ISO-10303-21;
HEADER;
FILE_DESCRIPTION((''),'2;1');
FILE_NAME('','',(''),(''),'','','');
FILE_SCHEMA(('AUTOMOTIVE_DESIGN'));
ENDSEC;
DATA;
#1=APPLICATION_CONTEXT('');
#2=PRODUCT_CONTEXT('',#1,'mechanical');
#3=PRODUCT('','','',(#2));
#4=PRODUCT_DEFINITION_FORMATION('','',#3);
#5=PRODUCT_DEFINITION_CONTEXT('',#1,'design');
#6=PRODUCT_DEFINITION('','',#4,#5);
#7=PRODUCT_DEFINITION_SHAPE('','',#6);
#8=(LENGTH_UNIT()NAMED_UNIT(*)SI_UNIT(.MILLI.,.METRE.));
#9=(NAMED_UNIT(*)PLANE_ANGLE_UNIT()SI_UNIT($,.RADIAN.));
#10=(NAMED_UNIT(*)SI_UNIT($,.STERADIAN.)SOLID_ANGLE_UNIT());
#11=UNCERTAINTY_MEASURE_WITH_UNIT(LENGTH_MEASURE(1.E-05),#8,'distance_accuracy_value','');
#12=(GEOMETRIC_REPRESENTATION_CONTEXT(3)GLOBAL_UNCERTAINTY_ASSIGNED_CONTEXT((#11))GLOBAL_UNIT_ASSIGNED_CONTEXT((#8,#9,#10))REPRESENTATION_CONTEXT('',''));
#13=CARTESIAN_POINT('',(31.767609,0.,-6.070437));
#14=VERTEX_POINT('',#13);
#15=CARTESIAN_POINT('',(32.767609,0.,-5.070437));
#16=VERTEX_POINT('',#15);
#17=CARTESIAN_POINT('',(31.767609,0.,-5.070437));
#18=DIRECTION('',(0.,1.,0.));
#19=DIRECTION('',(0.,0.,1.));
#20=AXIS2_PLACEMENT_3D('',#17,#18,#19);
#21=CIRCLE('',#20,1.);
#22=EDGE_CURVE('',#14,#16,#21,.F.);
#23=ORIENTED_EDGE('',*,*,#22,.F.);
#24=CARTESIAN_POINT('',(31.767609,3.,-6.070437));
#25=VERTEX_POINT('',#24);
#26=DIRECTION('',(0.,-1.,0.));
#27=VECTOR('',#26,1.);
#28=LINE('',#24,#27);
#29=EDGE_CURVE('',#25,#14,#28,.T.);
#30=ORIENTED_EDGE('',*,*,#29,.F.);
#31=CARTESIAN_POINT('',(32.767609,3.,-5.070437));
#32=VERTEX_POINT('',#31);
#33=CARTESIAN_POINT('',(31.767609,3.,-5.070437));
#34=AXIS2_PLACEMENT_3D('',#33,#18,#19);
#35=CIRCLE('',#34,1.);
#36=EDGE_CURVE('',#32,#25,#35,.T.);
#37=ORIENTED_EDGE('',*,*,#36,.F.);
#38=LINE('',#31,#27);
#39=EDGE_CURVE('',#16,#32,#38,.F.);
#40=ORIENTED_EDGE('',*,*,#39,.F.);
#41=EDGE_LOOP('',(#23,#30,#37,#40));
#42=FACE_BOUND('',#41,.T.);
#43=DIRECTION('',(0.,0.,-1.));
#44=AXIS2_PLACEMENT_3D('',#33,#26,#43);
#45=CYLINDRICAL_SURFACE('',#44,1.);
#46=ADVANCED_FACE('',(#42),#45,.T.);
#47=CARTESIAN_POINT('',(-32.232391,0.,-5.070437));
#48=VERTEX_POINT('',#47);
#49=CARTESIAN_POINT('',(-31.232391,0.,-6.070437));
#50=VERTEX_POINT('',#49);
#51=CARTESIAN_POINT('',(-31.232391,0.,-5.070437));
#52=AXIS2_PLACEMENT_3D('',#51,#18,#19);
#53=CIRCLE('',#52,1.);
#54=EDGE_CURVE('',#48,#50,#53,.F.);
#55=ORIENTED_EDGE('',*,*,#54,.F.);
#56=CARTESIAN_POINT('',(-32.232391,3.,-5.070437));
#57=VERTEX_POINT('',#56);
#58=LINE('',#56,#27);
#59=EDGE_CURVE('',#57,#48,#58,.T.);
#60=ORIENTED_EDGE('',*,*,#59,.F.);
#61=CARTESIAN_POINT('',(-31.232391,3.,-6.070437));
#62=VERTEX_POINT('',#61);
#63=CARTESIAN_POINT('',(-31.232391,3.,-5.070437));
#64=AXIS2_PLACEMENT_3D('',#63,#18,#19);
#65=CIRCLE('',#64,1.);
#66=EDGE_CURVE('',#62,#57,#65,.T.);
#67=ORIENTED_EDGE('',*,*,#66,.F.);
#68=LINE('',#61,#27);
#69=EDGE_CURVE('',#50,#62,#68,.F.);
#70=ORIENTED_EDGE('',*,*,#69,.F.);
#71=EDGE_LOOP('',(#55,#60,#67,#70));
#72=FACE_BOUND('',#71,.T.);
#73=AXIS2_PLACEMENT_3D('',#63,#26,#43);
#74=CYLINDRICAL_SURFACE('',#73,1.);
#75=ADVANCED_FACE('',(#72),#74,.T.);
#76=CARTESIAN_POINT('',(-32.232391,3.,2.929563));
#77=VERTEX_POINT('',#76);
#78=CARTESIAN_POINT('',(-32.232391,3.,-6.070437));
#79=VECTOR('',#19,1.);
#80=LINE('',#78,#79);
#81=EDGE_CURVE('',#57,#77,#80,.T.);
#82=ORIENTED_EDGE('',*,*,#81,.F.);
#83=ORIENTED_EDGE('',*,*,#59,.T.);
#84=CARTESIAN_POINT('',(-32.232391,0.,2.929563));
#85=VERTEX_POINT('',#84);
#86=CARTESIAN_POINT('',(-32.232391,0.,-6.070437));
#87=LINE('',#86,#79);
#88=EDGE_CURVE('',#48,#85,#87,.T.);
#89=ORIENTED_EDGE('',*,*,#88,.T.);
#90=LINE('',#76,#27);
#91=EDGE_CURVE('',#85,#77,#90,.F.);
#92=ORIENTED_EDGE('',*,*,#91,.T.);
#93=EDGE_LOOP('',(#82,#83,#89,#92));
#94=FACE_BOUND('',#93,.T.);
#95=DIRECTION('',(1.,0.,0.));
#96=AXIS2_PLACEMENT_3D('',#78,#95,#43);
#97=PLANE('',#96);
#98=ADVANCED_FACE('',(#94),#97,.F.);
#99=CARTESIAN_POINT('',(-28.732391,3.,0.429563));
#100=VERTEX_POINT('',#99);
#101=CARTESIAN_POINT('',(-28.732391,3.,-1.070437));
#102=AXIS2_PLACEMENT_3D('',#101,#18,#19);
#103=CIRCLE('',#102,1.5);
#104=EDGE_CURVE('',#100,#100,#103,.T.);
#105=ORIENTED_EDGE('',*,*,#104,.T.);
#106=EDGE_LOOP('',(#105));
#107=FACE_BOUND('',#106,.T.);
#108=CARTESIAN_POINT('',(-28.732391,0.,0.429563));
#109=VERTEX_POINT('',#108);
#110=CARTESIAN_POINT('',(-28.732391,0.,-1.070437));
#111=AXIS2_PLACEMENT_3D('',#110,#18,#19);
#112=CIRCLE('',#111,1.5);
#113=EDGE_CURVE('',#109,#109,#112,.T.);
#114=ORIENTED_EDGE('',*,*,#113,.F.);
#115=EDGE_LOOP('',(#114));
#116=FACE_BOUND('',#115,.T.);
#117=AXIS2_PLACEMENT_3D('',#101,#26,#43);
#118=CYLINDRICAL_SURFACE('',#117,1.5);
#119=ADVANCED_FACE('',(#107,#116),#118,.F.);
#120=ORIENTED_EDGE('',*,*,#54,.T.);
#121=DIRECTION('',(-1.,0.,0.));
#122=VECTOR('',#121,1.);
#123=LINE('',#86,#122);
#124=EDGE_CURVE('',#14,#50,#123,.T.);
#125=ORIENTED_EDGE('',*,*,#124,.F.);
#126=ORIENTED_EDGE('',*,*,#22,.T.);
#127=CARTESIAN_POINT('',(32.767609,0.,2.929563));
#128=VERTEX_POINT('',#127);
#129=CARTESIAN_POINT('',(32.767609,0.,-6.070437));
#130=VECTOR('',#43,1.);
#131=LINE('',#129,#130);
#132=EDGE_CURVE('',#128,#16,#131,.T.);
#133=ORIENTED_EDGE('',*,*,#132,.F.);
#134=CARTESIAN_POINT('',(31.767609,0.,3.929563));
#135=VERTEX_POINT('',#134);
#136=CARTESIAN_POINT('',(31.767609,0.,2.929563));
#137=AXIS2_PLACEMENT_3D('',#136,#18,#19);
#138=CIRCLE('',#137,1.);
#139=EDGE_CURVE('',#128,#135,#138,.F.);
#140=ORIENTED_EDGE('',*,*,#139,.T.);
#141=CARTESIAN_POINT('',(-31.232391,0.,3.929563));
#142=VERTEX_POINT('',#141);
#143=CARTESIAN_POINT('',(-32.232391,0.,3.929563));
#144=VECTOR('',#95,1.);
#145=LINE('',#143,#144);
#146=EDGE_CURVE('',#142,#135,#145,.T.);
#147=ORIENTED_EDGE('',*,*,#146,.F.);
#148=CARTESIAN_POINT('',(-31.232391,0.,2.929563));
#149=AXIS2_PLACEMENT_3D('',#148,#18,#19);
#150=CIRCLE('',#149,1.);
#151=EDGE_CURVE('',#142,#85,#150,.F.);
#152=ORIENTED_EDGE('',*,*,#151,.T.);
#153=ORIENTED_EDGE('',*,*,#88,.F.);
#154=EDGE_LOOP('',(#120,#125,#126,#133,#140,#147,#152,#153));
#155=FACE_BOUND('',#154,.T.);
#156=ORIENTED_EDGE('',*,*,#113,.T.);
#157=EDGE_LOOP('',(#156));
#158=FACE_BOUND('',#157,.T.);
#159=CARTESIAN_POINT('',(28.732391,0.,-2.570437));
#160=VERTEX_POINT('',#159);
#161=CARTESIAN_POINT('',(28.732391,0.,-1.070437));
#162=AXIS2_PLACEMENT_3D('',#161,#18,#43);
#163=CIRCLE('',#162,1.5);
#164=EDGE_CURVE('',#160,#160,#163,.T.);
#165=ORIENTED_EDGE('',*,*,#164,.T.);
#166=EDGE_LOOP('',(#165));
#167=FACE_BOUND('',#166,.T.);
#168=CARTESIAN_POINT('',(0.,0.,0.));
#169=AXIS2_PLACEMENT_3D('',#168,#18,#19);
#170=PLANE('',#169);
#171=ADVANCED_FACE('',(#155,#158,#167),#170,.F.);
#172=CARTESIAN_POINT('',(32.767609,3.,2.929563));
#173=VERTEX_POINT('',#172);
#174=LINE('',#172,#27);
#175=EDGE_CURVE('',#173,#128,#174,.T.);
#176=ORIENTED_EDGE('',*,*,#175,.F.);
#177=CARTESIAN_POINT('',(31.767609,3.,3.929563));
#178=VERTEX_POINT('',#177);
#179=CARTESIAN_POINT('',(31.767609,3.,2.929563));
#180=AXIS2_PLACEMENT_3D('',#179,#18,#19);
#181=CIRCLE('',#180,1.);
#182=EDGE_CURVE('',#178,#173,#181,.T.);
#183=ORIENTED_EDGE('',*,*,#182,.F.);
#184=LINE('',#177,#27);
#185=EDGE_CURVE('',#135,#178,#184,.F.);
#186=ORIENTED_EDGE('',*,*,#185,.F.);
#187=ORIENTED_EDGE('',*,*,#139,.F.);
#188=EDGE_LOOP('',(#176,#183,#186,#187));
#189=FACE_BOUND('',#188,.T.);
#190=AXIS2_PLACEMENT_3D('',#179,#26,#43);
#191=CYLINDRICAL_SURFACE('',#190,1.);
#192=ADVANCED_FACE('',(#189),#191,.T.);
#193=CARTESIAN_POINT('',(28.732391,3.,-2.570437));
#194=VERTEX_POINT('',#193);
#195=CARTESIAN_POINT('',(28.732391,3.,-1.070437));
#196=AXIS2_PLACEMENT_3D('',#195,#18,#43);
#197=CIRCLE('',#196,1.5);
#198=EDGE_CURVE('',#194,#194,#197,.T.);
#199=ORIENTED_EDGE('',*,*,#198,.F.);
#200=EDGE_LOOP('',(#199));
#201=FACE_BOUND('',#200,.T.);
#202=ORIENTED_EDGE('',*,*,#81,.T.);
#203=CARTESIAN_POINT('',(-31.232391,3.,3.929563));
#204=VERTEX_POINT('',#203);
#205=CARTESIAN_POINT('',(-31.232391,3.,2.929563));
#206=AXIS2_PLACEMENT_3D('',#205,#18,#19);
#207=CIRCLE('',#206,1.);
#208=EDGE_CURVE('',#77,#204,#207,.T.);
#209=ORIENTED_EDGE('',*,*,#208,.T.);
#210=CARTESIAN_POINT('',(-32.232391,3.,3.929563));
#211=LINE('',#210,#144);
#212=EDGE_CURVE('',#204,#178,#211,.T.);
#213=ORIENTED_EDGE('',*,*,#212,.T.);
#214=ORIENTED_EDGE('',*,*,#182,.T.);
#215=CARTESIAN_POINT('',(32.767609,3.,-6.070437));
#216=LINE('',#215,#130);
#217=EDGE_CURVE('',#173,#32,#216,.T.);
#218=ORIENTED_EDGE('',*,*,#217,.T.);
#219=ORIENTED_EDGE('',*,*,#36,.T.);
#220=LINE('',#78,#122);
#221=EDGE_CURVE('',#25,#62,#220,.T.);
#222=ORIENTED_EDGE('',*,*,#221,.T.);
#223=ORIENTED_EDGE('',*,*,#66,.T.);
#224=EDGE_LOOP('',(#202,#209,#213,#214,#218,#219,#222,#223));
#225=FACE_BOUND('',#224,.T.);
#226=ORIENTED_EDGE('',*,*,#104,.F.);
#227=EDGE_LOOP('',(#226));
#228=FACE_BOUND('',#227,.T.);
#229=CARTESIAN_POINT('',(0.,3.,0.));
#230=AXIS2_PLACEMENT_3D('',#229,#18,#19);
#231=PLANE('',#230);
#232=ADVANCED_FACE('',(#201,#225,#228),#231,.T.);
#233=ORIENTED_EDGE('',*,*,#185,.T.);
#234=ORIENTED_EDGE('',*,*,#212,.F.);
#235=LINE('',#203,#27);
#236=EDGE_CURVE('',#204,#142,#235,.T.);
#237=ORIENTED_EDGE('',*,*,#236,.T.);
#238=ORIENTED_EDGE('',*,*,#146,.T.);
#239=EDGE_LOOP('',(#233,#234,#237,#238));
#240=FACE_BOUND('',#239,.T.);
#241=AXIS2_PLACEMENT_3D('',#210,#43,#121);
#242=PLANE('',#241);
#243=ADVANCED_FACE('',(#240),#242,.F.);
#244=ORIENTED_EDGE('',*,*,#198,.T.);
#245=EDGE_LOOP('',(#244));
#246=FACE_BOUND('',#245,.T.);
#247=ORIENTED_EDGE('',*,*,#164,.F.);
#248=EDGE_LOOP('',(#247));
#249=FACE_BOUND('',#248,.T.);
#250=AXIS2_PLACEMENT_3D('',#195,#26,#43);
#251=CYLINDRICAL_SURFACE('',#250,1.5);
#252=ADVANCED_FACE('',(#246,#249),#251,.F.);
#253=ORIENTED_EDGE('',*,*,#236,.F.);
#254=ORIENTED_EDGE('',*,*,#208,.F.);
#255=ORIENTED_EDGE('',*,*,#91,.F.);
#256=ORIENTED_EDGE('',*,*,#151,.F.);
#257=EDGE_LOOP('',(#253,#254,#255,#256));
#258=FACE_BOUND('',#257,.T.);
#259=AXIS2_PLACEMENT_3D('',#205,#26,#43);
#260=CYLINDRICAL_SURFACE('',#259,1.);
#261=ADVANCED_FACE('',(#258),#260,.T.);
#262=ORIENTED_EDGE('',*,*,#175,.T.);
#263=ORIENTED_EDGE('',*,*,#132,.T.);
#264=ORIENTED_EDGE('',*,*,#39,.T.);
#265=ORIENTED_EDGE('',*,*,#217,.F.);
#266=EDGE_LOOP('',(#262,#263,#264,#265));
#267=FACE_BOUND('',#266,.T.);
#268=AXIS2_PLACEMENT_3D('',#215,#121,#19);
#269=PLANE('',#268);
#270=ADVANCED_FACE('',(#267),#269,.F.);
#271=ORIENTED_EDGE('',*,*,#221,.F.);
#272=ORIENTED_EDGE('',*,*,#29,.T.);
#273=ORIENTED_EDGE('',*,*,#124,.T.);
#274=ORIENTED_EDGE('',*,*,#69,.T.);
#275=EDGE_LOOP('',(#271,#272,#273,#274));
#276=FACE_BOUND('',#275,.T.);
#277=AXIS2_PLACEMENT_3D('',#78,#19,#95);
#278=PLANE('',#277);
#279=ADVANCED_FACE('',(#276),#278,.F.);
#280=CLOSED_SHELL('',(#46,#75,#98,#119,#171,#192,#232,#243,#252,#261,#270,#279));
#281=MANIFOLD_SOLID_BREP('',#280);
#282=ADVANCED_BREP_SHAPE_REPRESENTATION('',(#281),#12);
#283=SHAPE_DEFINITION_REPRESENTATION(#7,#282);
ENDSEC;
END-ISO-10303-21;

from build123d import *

# Parameters (mm, degrees)
CROQUIS1_W              = 65
CROQUIS1_H              = 10
CROQUIS1_R              = 1.5
SALIENTE_EXTRUIR1_DEPTH = 3
REDONDEO1_R             = 1


with BuildPart() as part:
    # Croquis1 → Saliente-Extruir1 (new body)
    with BuildSketch(Plane(origin=(0, 0, 0), x_dir=(1, 0, 0), z_dir=(0, 1, 0))):
        with Locations((0.267609294, 1.070437174)):
            Rectangle(CROQUIS1_W, CROQUIS1_H)
        with Locations(Location((-28.732390706, 1.070437174, 0), (0, 0, 270))):
            Circle(CROQUIS1_R, mode=Mode.SUBTRACT)
        with Locations(Location((28.732390706, 1.070437174, 0), (0, 0, 90))):
            Circle(CROQUIS1_R, mode=Mode.SUBTRACT)
    extrude(amount=SALIENTE_EXTRUIR1_DEPTH)

    # Redondeo1
    redondeo1_edges = [part.edges().sort_by_distance(p)[0] for p in [
        (32.767609294, 1.5, 3.929562826),
        (-32.232390706, 1.5, 3.929562826),
        (-32.232390706, 1.5, -6.070437174),
        (32.767609294, 1.5, -6.070437174),
    ]]
    fillet(redondeo1_edges, radius=REDONDEO1_R)


solid = part.part
